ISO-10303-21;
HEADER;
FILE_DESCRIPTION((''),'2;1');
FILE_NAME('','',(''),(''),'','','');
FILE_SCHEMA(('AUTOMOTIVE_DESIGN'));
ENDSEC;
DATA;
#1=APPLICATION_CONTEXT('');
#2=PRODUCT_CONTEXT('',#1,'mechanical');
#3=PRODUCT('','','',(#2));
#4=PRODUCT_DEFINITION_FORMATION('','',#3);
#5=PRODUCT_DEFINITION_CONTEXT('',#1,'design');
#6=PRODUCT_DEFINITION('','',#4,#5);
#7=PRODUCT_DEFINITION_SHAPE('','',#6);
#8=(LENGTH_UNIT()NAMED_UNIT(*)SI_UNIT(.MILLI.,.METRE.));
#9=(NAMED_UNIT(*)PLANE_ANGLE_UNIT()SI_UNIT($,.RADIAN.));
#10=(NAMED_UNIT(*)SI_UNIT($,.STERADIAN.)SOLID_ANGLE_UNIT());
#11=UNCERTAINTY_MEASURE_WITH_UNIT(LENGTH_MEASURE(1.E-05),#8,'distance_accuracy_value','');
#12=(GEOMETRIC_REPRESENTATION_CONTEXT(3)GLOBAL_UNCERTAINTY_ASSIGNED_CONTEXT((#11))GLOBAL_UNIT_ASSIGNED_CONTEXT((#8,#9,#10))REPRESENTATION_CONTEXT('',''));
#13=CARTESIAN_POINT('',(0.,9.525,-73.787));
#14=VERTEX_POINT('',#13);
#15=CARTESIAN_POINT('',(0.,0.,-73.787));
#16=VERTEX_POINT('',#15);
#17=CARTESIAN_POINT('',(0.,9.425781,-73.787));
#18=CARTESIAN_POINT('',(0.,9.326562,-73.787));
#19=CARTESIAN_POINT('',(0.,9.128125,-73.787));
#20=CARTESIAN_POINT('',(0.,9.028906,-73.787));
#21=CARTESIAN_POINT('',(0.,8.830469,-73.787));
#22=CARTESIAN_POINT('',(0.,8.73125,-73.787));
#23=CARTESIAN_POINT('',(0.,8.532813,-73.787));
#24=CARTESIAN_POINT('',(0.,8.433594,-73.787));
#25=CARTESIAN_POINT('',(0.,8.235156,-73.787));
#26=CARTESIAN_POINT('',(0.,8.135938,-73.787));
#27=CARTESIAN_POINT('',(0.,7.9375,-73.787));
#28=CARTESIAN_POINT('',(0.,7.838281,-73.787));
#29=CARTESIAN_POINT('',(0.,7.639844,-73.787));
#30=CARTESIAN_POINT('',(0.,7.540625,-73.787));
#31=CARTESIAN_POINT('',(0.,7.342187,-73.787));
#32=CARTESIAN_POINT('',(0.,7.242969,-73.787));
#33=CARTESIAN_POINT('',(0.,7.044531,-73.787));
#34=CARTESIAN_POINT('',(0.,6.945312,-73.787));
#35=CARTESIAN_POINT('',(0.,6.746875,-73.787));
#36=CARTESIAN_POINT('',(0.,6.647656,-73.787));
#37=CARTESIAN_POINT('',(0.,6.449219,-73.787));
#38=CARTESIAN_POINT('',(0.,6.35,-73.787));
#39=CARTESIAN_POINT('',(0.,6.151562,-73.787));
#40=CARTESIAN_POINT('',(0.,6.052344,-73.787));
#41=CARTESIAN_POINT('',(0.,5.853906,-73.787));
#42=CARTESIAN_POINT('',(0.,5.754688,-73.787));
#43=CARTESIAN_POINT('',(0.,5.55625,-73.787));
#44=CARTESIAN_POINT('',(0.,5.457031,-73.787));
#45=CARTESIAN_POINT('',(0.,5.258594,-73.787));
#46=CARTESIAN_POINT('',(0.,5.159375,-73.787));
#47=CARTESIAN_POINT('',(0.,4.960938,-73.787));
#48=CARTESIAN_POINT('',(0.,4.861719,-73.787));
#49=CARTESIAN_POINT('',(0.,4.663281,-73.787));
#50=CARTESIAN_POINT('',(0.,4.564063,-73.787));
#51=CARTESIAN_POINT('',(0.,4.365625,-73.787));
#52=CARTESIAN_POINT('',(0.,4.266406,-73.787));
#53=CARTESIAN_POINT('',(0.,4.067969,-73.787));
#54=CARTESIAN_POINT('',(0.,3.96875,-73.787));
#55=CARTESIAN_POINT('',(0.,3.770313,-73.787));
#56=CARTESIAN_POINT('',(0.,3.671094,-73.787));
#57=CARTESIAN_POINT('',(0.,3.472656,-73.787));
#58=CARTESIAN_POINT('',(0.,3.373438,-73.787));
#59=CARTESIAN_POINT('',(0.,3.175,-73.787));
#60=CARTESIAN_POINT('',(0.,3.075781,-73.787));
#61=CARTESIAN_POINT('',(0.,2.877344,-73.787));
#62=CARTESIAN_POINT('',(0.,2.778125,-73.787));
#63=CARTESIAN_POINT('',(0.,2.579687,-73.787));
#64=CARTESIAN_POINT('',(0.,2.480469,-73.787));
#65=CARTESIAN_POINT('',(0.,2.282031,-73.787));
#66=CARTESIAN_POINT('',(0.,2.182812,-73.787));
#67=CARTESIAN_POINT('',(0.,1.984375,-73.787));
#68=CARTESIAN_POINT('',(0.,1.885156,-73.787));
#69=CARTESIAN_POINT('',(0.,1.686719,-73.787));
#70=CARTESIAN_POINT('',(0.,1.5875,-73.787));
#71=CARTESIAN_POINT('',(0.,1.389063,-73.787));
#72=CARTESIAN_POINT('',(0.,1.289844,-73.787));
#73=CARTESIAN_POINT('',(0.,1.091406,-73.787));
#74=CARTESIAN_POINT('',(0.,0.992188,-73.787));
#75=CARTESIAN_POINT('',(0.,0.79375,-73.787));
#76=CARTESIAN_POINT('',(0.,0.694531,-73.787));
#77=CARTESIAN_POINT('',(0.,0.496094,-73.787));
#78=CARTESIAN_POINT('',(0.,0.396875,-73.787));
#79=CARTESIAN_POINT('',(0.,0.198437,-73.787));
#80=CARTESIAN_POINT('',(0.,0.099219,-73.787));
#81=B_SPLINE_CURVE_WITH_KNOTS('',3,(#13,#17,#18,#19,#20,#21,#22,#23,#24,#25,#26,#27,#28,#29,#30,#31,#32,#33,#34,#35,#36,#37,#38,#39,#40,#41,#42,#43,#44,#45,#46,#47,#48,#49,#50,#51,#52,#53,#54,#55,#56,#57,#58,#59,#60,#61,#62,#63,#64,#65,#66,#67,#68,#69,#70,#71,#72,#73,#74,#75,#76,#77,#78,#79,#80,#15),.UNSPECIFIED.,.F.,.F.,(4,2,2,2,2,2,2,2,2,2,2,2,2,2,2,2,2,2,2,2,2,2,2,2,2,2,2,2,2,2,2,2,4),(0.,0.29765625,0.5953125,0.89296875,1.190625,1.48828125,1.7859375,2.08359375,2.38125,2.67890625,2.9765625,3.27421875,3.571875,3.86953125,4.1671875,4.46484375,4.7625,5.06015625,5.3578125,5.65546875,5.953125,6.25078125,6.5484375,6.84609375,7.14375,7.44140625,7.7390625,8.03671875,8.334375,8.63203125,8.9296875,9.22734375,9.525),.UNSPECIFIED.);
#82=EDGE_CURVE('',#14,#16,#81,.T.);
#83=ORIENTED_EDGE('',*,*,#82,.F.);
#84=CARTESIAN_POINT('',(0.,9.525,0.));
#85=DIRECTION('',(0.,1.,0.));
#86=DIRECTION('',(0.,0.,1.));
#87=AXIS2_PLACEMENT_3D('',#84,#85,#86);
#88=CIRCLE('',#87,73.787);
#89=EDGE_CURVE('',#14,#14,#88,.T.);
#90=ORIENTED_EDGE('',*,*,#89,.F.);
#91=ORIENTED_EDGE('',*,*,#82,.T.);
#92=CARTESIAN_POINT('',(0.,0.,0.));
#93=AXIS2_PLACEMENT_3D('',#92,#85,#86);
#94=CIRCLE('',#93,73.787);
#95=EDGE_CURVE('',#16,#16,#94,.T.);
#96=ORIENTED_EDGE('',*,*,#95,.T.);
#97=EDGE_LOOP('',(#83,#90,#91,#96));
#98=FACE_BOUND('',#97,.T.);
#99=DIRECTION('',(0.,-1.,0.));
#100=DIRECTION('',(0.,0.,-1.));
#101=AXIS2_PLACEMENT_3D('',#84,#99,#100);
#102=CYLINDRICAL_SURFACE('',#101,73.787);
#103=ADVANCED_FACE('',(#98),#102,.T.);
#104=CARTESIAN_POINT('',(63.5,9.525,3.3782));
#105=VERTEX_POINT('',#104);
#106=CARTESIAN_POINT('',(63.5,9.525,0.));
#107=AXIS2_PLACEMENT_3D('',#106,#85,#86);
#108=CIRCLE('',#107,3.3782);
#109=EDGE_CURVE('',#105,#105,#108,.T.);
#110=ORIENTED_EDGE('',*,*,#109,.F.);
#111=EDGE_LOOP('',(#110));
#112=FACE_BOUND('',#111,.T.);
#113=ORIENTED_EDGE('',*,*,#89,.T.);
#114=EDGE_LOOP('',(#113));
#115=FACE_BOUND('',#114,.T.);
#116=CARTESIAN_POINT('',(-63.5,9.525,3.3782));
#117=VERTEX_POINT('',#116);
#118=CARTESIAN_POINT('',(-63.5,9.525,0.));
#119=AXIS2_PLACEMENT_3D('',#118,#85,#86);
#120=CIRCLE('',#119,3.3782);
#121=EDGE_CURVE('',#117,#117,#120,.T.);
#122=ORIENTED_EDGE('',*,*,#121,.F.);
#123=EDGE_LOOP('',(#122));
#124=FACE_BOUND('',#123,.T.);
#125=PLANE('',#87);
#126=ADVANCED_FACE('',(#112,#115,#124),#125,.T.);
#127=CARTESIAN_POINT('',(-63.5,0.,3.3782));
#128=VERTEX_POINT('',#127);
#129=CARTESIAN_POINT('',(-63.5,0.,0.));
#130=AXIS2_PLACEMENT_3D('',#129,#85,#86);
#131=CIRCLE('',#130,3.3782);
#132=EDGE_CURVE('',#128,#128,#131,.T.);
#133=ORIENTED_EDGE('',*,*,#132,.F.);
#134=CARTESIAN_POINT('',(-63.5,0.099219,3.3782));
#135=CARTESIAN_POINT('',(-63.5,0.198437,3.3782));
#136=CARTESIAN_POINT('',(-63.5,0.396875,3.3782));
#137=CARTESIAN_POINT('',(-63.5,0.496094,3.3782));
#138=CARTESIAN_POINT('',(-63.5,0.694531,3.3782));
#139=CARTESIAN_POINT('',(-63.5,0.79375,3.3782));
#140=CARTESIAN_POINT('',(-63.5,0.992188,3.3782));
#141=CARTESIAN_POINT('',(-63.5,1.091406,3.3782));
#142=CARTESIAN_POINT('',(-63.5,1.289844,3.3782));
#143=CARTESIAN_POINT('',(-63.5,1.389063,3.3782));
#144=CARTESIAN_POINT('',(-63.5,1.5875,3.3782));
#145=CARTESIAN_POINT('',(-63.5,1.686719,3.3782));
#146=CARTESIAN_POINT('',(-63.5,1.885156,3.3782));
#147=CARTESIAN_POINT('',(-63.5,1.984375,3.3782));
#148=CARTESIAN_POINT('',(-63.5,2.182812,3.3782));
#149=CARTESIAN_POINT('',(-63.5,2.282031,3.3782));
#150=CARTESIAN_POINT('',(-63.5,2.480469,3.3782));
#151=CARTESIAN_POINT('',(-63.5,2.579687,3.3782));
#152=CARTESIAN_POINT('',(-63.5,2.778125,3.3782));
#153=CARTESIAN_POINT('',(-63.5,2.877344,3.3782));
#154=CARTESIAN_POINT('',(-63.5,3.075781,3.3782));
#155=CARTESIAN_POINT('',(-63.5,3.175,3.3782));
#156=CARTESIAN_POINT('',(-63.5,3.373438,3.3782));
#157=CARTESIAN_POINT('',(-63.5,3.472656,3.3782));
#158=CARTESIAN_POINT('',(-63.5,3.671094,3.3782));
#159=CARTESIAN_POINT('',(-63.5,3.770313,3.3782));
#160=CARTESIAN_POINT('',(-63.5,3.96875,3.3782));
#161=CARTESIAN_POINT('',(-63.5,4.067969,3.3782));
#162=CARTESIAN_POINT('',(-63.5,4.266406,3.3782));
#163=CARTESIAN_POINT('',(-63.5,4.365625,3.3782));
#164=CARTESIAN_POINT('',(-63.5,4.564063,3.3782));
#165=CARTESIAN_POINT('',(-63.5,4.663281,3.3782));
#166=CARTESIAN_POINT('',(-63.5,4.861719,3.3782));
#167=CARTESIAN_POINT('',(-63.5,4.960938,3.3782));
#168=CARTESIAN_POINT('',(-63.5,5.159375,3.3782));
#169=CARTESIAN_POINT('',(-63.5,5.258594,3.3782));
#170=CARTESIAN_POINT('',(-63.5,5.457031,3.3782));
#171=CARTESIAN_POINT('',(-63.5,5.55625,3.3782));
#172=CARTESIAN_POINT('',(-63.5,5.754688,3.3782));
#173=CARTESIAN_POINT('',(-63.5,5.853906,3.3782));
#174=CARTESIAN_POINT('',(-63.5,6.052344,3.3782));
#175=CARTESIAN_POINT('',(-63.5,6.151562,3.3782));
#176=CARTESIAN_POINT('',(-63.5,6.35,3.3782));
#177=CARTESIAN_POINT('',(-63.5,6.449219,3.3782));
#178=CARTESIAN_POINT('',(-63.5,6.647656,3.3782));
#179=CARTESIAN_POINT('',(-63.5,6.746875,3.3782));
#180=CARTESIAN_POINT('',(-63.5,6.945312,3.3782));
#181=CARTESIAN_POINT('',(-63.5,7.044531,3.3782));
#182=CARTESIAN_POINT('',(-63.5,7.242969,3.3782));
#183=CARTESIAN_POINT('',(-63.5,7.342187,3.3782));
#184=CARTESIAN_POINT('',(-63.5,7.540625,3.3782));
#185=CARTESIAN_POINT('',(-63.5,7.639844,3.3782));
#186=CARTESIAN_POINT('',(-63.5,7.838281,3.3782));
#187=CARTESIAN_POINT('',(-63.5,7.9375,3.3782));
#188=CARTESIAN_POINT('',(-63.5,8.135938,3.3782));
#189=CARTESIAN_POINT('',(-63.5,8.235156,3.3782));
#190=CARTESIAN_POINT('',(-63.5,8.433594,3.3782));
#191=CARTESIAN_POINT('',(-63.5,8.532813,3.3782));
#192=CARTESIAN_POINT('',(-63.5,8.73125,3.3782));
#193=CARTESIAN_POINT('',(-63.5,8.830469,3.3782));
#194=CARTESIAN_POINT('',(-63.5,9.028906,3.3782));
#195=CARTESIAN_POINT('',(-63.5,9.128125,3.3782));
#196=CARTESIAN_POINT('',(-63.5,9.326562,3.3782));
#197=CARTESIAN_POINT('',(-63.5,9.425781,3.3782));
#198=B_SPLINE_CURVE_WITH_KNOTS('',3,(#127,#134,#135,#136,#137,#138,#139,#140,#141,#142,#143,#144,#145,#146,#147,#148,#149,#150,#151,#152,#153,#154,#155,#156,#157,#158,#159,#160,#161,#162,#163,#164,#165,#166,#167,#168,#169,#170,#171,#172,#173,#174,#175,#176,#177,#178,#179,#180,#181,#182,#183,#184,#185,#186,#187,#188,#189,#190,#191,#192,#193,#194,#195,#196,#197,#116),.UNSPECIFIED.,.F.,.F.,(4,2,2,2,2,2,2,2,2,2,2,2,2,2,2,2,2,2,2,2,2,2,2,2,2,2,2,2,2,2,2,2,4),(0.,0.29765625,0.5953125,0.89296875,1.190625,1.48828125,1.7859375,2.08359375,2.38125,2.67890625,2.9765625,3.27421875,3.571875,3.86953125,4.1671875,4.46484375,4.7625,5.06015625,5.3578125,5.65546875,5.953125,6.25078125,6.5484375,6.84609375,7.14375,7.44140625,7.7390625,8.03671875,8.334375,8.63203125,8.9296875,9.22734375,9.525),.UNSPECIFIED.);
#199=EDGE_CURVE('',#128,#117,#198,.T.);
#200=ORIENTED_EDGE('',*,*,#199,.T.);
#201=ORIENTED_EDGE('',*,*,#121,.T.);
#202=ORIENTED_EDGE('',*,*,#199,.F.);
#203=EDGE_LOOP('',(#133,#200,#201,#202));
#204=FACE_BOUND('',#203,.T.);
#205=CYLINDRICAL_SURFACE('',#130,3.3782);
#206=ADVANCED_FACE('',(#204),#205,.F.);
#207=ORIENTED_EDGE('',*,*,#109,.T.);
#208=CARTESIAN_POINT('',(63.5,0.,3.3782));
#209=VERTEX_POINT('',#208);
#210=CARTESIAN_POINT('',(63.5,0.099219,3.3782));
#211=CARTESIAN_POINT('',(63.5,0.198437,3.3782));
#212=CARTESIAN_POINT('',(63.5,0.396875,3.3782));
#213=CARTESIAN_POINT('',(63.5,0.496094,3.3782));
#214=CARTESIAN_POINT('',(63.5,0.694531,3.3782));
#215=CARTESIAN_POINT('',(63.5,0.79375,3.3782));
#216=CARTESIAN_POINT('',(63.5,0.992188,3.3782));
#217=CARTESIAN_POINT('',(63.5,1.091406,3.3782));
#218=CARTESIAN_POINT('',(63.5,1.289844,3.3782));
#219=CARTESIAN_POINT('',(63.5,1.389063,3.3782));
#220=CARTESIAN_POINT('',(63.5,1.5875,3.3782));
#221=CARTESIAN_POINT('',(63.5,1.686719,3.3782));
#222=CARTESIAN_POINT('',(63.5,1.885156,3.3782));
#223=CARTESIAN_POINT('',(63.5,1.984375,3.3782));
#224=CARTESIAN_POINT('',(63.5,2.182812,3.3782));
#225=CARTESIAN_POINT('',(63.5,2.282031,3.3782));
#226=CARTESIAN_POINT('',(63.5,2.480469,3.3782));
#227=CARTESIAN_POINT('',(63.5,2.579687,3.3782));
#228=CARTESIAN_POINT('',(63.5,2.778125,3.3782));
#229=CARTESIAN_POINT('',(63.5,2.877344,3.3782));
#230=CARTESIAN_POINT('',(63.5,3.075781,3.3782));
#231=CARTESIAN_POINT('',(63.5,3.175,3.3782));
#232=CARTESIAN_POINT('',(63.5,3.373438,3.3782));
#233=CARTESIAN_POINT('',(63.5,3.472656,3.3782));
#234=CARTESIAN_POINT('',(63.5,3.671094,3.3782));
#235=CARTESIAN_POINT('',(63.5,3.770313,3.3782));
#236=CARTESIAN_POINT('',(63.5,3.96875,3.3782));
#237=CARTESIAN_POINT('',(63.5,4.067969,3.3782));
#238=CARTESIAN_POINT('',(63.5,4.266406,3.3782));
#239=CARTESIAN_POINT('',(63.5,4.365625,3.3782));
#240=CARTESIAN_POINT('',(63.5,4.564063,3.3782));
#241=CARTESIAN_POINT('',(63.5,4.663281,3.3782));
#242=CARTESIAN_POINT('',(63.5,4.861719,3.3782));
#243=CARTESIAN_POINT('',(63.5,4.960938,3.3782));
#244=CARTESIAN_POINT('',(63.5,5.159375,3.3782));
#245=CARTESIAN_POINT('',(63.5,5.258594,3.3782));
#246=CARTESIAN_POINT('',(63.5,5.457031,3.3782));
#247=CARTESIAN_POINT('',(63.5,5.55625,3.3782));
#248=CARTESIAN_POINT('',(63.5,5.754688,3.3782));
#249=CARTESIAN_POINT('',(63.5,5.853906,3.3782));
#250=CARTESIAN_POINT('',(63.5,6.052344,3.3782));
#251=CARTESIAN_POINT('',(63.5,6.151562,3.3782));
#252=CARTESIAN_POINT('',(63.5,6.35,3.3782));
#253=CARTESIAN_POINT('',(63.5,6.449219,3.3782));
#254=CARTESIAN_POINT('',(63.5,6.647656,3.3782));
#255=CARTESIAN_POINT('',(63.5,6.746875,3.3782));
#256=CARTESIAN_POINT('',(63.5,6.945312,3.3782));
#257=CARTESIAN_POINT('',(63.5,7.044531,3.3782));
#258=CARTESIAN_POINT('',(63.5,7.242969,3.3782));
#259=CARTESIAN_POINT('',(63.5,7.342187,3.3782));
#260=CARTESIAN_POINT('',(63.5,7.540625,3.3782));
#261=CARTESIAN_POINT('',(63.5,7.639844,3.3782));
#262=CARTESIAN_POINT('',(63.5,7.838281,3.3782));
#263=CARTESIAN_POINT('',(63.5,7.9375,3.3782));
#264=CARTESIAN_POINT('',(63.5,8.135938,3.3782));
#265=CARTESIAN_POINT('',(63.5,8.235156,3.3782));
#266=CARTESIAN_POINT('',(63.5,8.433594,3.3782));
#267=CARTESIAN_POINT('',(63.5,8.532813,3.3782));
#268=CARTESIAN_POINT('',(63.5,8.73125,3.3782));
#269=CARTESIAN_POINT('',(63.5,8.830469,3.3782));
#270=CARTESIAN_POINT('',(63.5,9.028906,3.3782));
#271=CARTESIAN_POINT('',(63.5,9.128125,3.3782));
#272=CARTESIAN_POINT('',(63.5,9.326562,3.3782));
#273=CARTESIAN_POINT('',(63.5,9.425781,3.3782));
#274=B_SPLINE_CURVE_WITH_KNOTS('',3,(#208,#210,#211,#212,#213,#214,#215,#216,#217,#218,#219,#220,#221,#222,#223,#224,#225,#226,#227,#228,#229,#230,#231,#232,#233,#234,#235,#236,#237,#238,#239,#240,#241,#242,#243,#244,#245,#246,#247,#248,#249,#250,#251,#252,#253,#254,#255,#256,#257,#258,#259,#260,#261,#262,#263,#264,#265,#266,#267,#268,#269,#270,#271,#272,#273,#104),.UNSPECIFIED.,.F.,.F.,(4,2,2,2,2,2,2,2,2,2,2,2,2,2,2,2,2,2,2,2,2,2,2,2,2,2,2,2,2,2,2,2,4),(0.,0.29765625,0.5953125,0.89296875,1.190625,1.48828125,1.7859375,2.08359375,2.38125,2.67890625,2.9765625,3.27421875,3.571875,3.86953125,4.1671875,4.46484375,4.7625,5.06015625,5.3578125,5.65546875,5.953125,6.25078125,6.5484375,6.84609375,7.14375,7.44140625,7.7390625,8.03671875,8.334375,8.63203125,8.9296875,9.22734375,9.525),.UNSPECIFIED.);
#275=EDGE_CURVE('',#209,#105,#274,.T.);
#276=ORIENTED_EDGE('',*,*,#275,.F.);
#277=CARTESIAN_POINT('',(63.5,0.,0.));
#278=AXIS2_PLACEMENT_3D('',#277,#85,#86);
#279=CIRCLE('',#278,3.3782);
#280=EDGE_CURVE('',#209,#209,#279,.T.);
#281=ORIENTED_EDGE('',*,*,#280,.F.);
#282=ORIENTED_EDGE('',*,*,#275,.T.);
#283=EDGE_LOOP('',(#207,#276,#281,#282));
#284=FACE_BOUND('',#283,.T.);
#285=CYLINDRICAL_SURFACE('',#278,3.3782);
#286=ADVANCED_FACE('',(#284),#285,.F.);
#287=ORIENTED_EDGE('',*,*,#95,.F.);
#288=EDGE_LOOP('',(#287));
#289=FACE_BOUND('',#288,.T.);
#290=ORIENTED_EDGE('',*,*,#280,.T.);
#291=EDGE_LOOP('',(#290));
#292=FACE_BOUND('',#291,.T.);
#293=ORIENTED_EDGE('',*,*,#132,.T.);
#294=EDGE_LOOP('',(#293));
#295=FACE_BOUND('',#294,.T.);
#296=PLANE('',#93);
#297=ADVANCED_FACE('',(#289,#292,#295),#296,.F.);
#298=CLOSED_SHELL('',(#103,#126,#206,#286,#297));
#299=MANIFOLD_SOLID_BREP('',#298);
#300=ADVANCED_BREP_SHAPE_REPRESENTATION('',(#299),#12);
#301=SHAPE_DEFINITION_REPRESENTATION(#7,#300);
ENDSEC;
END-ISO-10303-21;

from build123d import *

# Parameters (mm, degrees)
SKETCH1_R           = 73.787
BOSS_EXTRUDE1_DEPTH = 9.525
SKETCH2_R           = 3.3782
CUT_EXTRUDE1_DEPTH  = 105.784389882


with BuildPart() as part:
    # Sketch1 → Boss-Extrude1 (new body)
    with BuildSketch(Plane(origin=(0, 0, 0), x_dir=(1, 0, 0), z_dir=(0, 1, 0))):
        with Locations(Location((0, 0, 0), (0, 0, 90))):
            Circle(SKETCH1_R)
    extrude(amount=BOSS_EXTRUDE1_DEPTH)

    # Sketch2 → Cut-Extrude1 (cut, through all)
    with BuildSketch(Plane(origin=(0, 9.525, 0), x_dir=(1, 0, 0), z_dir=(0, 1, 0))):
        with Locations(Location((-63.5, 0, 0), (0, 0, 270))):
            Circle(SKETCH2_R)
        with Locations(Location((63.5, 0, 0), (0, 0, 270))):
            Circle(SKETCH2_R)
    extrude(amount=-CUT_EXTRUDE1_DEPTH, mode=Mode.SUBTRACT)


solid = part.part
